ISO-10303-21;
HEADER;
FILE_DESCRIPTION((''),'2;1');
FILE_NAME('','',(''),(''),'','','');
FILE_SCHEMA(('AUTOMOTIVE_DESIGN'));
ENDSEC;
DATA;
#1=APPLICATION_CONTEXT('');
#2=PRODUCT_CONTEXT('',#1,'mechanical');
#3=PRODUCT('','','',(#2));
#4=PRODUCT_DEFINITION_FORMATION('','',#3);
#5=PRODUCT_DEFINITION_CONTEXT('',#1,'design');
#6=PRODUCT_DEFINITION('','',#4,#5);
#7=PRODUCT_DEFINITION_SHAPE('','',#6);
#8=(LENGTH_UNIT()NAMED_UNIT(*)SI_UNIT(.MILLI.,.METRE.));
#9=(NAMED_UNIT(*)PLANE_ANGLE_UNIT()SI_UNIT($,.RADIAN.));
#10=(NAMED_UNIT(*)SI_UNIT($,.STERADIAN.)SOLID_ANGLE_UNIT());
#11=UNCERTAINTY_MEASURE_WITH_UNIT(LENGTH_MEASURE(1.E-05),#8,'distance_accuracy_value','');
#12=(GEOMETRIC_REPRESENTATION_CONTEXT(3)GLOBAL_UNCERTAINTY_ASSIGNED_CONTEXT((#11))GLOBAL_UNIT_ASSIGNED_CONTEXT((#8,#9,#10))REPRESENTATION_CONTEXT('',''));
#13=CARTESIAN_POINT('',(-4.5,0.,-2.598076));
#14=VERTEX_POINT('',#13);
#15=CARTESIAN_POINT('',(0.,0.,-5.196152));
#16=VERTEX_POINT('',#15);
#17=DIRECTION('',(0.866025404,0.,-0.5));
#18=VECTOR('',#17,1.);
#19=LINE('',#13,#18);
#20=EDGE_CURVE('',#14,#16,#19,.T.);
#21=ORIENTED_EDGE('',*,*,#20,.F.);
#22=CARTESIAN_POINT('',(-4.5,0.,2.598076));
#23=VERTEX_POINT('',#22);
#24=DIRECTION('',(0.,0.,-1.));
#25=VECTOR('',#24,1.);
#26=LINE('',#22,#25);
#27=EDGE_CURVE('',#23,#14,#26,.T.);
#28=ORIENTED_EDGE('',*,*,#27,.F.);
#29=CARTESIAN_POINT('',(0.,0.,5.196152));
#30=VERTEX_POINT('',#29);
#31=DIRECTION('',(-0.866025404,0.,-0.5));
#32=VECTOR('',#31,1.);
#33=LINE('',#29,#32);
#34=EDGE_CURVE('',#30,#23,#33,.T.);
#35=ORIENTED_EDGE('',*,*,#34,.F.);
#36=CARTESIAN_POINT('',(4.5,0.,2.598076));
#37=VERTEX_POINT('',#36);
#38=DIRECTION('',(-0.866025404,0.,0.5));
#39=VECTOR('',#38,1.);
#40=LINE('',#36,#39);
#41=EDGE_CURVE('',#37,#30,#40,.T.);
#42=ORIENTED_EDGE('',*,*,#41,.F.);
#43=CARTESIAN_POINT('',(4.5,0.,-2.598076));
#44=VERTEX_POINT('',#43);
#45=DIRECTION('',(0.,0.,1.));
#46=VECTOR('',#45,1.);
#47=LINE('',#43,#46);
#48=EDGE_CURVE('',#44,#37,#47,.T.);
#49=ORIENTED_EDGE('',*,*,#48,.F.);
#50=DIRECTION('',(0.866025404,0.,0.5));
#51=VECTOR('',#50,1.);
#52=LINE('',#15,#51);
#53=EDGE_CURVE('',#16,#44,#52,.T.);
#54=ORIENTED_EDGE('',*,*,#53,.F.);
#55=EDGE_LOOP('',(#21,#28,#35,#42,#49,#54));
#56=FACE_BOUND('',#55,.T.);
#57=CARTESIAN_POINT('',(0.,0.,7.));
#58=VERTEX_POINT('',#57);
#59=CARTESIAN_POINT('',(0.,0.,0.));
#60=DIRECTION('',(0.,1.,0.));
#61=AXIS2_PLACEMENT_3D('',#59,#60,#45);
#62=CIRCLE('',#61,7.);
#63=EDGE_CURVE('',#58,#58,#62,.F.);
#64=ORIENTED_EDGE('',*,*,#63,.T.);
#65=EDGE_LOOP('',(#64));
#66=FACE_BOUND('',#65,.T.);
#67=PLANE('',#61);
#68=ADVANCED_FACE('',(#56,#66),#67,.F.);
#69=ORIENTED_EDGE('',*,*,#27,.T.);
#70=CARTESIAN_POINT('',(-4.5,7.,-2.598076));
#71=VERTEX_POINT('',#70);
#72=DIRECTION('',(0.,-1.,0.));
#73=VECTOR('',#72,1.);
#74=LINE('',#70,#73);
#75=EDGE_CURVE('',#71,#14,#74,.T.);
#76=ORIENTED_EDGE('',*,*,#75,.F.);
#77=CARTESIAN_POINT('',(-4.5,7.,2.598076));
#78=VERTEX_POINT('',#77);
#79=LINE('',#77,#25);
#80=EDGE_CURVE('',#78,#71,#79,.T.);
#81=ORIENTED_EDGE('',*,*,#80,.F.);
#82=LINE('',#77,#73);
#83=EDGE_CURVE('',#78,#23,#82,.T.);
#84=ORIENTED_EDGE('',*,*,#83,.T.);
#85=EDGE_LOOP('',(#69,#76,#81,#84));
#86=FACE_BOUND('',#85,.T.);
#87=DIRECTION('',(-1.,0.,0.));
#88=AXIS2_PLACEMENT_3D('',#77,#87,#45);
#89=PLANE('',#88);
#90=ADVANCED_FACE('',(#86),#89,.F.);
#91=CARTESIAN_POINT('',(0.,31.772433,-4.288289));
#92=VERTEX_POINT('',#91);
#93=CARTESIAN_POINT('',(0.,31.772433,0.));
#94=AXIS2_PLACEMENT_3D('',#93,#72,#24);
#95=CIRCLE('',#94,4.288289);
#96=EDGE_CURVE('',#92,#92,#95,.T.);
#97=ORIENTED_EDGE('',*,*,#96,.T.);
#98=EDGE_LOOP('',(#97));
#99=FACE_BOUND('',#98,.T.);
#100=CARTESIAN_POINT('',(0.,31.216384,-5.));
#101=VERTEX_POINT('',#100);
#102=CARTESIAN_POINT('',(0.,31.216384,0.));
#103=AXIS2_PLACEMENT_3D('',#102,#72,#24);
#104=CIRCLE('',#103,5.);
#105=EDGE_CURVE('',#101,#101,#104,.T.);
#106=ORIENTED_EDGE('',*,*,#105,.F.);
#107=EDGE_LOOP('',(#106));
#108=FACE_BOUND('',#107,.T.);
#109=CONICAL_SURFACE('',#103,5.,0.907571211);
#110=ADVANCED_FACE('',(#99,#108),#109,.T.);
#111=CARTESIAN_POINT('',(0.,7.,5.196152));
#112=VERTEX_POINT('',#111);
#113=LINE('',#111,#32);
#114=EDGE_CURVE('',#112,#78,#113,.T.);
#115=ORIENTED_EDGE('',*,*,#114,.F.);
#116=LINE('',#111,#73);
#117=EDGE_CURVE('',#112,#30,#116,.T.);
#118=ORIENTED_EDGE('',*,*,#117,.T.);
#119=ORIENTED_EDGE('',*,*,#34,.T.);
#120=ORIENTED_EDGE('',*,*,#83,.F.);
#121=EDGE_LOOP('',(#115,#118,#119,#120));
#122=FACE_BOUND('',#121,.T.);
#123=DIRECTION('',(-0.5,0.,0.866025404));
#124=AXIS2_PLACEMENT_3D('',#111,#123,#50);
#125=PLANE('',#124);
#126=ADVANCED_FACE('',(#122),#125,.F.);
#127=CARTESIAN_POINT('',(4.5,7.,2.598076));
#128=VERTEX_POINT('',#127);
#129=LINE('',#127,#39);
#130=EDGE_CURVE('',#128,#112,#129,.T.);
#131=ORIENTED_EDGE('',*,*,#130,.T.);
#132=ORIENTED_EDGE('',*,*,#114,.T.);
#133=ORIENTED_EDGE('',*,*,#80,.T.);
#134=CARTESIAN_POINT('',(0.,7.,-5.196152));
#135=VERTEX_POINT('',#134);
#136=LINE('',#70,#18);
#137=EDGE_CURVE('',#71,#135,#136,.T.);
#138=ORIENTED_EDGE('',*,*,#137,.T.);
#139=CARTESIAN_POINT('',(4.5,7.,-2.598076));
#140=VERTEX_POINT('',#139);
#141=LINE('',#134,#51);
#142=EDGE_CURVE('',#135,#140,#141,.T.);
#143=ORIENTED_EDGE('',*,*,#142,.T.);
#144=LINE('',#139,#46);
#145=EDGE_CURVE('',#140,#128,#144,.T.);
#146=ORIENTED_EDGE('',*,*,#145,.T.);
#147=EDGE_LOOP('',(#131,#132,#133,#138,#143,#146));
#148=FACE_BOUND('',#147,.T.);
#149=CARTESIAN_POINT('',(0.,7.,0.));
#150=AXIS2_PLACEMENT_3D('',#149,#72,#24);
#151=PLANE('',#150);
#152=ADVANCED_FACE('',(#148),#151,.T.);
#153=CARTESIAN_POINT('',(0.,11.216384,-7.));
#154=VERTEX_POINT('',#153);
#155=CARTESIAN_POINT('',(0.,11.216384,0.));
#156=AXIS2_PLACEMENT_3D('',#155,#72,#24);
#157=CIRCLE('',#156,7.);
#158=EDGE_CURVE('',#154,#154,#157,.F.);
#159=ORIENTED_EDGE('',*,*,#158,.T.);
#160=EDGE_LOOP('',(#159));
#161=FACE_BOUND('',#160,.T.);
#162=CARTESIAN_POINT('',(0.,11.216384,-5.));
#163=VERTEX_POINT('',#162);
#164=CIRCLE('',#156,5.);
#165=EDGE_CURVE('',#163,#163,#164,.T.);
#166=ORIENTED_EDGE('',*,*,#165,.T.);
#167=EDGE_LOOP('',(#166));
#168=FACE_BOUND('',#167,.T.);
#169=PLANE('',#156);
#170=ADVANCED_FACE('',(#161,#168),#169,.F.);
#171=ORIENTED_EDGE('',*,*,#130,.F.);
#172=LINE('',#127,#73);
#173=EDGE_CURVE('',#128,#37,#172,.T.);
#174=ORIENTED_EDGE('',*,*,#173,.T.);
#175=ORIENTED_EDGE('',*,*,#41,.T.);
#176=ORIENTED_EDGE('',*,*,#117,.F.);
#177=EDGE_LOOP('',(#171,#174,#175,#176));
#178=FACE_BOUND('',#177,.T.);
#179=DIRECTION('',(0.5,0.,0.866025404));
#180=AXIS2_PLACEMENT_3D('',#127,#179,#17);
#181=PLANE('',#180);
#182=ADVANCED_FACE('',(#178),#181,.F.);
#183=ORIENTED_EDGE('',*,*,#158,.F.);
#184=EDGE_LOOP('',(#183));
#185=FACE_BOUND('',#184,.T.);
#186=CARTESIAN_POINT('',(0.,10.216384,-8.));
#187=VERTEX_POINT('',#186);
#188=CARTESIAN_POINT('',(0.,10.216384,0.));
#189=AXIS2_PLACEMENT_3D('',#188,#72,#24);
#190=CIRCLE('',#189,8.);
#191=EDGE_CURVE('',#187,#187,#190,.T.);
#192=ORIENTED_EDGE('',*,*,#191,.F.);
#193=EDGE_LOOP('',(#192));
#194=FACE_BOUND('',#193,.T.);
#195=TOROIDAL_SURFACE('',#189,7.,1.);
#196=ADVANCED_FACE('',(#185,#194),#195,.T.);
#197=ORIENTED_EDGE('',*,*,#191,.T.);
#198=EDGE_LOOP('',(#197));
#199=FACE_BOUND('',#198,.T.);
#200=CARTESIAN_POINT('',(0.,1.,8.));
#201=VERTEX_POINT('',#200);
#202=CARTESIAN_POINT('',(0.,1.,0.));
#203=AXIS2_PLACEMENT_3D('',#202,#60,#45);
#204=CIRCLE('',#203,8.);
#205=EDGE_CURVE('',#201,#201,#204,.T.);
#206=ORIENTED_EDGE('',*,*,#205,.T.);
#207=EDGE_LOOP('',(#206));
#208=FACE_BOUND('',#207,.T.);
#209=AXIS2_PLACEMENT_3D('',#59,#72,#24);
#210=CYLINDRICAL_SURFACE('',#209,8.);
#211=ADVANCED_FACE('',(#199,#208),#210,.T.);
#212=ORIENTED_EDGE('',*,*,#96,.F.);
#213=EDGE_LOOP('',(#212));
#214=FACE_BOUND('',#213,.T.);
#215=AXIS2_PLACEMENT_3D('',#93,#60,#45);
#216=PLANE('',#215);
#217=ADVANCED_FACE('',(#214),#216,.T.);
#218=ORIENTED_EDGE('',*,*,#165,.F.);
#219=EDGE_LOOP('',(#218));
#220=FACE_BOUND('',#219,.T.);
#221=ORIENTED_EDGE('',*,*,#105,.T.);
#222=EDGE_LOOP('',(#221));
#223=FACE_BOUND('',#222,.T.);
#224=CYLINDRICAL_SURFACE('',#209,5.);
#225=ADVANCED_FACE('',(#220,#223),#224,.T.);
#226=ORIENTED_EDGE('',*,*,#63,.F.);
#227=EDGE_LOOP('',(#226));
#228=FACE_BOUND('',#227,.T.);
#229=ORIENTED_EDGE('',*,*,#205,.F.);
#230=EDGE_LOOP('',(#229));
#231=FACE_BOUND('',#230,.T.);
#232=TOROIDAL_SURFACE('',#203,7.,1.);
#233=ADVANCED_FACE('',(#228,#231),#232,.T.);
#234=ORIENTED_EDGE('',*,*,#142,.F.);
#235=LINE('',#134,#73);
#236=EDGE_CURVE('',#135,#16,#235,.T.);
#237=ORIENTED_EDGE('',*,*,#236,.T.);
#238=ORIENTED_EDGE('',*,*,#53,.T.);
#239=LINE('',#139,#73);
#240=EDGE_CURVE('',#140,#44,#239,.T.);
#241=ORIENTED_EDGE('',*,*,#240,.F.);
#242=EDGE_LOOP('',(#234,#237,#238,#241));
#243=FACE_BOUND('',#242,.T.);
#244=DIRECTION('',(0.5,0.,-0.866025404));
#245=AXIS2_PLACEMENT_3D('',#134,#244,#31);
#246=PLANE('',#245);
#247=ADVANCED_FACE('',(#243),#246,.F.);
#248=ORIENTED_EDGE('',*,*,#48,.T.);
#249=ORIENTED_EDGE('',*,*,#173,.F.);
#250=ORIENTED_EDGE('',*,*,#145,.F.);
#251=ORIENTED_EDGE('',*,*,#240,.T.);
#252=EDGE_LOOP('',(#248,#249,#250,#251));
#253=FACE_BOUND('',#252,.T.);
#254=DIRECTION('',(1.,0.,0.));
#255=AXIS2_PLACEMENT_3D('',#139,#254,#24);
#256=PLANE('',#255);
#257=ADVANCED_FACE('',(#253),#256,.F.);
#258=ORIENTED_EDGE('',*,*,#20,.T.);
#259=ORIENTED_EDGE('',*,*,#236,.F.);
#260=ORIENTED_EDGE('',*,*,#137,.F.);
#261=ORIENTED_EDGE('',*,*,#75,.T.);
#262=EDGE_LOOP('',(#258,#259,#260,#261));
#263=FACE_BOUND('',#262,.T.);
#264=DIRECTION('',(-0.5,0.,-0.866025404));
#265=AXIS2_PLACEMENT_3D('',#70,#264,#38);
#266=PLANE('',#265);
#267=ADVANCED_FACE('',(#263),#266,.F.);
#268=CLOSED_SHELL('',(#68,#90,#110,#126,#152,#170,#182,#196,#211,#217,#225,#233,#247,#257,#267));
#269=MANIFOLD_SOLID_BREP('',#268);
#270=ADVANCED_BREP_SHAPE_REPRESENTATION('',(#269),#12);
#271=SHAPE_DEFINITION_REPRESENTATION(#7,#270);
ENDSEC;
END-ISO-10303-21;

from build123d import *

# Parameters (mm, degrees)
CORTAR_EXTRUIR1_DEPTH = 7
REDONDEO1_R           = 1


with BuildPart() as part:
    # Croquis1 → Revolución2 (revolve)
    with BuildSketch(Plane.XY):
        Polygon((-5, 31.216383588), (-5, 11.216383588), (-8, 11.216383588), (-8, 0), (0, 0), (0, 31.772433039), (-4.288289157, 31.772433039), align=None)
    revolve(axis=Axis((0, 0, 0), (0, 1, 0)))

    # Croquis2 → Cortar-Extruir1 (cut)
    with BuildSketch(Plane.XZ):
        Polygon((0, 5.196152423), (-4.5, 2.598076211), (-4.5, -2.598076211), (0, -5.196152423), (4.5, -2.598076211), (4.5, 2.598076211), align=None)
    extrude(amount=-CORTAR_EXTRUIR1_DEPTH, mode=Mode.SUBTRACT)

    # Redondeo1
    redondeo1_edges = [part.edges().sort_by_distance(p)[0] for p in [
        (8, 11.216383588, 0),
        (8, 0, 0),
    ]]
    fillet(redondeo1_edges, radius=REDONDEO1_R)


solid = part.part
